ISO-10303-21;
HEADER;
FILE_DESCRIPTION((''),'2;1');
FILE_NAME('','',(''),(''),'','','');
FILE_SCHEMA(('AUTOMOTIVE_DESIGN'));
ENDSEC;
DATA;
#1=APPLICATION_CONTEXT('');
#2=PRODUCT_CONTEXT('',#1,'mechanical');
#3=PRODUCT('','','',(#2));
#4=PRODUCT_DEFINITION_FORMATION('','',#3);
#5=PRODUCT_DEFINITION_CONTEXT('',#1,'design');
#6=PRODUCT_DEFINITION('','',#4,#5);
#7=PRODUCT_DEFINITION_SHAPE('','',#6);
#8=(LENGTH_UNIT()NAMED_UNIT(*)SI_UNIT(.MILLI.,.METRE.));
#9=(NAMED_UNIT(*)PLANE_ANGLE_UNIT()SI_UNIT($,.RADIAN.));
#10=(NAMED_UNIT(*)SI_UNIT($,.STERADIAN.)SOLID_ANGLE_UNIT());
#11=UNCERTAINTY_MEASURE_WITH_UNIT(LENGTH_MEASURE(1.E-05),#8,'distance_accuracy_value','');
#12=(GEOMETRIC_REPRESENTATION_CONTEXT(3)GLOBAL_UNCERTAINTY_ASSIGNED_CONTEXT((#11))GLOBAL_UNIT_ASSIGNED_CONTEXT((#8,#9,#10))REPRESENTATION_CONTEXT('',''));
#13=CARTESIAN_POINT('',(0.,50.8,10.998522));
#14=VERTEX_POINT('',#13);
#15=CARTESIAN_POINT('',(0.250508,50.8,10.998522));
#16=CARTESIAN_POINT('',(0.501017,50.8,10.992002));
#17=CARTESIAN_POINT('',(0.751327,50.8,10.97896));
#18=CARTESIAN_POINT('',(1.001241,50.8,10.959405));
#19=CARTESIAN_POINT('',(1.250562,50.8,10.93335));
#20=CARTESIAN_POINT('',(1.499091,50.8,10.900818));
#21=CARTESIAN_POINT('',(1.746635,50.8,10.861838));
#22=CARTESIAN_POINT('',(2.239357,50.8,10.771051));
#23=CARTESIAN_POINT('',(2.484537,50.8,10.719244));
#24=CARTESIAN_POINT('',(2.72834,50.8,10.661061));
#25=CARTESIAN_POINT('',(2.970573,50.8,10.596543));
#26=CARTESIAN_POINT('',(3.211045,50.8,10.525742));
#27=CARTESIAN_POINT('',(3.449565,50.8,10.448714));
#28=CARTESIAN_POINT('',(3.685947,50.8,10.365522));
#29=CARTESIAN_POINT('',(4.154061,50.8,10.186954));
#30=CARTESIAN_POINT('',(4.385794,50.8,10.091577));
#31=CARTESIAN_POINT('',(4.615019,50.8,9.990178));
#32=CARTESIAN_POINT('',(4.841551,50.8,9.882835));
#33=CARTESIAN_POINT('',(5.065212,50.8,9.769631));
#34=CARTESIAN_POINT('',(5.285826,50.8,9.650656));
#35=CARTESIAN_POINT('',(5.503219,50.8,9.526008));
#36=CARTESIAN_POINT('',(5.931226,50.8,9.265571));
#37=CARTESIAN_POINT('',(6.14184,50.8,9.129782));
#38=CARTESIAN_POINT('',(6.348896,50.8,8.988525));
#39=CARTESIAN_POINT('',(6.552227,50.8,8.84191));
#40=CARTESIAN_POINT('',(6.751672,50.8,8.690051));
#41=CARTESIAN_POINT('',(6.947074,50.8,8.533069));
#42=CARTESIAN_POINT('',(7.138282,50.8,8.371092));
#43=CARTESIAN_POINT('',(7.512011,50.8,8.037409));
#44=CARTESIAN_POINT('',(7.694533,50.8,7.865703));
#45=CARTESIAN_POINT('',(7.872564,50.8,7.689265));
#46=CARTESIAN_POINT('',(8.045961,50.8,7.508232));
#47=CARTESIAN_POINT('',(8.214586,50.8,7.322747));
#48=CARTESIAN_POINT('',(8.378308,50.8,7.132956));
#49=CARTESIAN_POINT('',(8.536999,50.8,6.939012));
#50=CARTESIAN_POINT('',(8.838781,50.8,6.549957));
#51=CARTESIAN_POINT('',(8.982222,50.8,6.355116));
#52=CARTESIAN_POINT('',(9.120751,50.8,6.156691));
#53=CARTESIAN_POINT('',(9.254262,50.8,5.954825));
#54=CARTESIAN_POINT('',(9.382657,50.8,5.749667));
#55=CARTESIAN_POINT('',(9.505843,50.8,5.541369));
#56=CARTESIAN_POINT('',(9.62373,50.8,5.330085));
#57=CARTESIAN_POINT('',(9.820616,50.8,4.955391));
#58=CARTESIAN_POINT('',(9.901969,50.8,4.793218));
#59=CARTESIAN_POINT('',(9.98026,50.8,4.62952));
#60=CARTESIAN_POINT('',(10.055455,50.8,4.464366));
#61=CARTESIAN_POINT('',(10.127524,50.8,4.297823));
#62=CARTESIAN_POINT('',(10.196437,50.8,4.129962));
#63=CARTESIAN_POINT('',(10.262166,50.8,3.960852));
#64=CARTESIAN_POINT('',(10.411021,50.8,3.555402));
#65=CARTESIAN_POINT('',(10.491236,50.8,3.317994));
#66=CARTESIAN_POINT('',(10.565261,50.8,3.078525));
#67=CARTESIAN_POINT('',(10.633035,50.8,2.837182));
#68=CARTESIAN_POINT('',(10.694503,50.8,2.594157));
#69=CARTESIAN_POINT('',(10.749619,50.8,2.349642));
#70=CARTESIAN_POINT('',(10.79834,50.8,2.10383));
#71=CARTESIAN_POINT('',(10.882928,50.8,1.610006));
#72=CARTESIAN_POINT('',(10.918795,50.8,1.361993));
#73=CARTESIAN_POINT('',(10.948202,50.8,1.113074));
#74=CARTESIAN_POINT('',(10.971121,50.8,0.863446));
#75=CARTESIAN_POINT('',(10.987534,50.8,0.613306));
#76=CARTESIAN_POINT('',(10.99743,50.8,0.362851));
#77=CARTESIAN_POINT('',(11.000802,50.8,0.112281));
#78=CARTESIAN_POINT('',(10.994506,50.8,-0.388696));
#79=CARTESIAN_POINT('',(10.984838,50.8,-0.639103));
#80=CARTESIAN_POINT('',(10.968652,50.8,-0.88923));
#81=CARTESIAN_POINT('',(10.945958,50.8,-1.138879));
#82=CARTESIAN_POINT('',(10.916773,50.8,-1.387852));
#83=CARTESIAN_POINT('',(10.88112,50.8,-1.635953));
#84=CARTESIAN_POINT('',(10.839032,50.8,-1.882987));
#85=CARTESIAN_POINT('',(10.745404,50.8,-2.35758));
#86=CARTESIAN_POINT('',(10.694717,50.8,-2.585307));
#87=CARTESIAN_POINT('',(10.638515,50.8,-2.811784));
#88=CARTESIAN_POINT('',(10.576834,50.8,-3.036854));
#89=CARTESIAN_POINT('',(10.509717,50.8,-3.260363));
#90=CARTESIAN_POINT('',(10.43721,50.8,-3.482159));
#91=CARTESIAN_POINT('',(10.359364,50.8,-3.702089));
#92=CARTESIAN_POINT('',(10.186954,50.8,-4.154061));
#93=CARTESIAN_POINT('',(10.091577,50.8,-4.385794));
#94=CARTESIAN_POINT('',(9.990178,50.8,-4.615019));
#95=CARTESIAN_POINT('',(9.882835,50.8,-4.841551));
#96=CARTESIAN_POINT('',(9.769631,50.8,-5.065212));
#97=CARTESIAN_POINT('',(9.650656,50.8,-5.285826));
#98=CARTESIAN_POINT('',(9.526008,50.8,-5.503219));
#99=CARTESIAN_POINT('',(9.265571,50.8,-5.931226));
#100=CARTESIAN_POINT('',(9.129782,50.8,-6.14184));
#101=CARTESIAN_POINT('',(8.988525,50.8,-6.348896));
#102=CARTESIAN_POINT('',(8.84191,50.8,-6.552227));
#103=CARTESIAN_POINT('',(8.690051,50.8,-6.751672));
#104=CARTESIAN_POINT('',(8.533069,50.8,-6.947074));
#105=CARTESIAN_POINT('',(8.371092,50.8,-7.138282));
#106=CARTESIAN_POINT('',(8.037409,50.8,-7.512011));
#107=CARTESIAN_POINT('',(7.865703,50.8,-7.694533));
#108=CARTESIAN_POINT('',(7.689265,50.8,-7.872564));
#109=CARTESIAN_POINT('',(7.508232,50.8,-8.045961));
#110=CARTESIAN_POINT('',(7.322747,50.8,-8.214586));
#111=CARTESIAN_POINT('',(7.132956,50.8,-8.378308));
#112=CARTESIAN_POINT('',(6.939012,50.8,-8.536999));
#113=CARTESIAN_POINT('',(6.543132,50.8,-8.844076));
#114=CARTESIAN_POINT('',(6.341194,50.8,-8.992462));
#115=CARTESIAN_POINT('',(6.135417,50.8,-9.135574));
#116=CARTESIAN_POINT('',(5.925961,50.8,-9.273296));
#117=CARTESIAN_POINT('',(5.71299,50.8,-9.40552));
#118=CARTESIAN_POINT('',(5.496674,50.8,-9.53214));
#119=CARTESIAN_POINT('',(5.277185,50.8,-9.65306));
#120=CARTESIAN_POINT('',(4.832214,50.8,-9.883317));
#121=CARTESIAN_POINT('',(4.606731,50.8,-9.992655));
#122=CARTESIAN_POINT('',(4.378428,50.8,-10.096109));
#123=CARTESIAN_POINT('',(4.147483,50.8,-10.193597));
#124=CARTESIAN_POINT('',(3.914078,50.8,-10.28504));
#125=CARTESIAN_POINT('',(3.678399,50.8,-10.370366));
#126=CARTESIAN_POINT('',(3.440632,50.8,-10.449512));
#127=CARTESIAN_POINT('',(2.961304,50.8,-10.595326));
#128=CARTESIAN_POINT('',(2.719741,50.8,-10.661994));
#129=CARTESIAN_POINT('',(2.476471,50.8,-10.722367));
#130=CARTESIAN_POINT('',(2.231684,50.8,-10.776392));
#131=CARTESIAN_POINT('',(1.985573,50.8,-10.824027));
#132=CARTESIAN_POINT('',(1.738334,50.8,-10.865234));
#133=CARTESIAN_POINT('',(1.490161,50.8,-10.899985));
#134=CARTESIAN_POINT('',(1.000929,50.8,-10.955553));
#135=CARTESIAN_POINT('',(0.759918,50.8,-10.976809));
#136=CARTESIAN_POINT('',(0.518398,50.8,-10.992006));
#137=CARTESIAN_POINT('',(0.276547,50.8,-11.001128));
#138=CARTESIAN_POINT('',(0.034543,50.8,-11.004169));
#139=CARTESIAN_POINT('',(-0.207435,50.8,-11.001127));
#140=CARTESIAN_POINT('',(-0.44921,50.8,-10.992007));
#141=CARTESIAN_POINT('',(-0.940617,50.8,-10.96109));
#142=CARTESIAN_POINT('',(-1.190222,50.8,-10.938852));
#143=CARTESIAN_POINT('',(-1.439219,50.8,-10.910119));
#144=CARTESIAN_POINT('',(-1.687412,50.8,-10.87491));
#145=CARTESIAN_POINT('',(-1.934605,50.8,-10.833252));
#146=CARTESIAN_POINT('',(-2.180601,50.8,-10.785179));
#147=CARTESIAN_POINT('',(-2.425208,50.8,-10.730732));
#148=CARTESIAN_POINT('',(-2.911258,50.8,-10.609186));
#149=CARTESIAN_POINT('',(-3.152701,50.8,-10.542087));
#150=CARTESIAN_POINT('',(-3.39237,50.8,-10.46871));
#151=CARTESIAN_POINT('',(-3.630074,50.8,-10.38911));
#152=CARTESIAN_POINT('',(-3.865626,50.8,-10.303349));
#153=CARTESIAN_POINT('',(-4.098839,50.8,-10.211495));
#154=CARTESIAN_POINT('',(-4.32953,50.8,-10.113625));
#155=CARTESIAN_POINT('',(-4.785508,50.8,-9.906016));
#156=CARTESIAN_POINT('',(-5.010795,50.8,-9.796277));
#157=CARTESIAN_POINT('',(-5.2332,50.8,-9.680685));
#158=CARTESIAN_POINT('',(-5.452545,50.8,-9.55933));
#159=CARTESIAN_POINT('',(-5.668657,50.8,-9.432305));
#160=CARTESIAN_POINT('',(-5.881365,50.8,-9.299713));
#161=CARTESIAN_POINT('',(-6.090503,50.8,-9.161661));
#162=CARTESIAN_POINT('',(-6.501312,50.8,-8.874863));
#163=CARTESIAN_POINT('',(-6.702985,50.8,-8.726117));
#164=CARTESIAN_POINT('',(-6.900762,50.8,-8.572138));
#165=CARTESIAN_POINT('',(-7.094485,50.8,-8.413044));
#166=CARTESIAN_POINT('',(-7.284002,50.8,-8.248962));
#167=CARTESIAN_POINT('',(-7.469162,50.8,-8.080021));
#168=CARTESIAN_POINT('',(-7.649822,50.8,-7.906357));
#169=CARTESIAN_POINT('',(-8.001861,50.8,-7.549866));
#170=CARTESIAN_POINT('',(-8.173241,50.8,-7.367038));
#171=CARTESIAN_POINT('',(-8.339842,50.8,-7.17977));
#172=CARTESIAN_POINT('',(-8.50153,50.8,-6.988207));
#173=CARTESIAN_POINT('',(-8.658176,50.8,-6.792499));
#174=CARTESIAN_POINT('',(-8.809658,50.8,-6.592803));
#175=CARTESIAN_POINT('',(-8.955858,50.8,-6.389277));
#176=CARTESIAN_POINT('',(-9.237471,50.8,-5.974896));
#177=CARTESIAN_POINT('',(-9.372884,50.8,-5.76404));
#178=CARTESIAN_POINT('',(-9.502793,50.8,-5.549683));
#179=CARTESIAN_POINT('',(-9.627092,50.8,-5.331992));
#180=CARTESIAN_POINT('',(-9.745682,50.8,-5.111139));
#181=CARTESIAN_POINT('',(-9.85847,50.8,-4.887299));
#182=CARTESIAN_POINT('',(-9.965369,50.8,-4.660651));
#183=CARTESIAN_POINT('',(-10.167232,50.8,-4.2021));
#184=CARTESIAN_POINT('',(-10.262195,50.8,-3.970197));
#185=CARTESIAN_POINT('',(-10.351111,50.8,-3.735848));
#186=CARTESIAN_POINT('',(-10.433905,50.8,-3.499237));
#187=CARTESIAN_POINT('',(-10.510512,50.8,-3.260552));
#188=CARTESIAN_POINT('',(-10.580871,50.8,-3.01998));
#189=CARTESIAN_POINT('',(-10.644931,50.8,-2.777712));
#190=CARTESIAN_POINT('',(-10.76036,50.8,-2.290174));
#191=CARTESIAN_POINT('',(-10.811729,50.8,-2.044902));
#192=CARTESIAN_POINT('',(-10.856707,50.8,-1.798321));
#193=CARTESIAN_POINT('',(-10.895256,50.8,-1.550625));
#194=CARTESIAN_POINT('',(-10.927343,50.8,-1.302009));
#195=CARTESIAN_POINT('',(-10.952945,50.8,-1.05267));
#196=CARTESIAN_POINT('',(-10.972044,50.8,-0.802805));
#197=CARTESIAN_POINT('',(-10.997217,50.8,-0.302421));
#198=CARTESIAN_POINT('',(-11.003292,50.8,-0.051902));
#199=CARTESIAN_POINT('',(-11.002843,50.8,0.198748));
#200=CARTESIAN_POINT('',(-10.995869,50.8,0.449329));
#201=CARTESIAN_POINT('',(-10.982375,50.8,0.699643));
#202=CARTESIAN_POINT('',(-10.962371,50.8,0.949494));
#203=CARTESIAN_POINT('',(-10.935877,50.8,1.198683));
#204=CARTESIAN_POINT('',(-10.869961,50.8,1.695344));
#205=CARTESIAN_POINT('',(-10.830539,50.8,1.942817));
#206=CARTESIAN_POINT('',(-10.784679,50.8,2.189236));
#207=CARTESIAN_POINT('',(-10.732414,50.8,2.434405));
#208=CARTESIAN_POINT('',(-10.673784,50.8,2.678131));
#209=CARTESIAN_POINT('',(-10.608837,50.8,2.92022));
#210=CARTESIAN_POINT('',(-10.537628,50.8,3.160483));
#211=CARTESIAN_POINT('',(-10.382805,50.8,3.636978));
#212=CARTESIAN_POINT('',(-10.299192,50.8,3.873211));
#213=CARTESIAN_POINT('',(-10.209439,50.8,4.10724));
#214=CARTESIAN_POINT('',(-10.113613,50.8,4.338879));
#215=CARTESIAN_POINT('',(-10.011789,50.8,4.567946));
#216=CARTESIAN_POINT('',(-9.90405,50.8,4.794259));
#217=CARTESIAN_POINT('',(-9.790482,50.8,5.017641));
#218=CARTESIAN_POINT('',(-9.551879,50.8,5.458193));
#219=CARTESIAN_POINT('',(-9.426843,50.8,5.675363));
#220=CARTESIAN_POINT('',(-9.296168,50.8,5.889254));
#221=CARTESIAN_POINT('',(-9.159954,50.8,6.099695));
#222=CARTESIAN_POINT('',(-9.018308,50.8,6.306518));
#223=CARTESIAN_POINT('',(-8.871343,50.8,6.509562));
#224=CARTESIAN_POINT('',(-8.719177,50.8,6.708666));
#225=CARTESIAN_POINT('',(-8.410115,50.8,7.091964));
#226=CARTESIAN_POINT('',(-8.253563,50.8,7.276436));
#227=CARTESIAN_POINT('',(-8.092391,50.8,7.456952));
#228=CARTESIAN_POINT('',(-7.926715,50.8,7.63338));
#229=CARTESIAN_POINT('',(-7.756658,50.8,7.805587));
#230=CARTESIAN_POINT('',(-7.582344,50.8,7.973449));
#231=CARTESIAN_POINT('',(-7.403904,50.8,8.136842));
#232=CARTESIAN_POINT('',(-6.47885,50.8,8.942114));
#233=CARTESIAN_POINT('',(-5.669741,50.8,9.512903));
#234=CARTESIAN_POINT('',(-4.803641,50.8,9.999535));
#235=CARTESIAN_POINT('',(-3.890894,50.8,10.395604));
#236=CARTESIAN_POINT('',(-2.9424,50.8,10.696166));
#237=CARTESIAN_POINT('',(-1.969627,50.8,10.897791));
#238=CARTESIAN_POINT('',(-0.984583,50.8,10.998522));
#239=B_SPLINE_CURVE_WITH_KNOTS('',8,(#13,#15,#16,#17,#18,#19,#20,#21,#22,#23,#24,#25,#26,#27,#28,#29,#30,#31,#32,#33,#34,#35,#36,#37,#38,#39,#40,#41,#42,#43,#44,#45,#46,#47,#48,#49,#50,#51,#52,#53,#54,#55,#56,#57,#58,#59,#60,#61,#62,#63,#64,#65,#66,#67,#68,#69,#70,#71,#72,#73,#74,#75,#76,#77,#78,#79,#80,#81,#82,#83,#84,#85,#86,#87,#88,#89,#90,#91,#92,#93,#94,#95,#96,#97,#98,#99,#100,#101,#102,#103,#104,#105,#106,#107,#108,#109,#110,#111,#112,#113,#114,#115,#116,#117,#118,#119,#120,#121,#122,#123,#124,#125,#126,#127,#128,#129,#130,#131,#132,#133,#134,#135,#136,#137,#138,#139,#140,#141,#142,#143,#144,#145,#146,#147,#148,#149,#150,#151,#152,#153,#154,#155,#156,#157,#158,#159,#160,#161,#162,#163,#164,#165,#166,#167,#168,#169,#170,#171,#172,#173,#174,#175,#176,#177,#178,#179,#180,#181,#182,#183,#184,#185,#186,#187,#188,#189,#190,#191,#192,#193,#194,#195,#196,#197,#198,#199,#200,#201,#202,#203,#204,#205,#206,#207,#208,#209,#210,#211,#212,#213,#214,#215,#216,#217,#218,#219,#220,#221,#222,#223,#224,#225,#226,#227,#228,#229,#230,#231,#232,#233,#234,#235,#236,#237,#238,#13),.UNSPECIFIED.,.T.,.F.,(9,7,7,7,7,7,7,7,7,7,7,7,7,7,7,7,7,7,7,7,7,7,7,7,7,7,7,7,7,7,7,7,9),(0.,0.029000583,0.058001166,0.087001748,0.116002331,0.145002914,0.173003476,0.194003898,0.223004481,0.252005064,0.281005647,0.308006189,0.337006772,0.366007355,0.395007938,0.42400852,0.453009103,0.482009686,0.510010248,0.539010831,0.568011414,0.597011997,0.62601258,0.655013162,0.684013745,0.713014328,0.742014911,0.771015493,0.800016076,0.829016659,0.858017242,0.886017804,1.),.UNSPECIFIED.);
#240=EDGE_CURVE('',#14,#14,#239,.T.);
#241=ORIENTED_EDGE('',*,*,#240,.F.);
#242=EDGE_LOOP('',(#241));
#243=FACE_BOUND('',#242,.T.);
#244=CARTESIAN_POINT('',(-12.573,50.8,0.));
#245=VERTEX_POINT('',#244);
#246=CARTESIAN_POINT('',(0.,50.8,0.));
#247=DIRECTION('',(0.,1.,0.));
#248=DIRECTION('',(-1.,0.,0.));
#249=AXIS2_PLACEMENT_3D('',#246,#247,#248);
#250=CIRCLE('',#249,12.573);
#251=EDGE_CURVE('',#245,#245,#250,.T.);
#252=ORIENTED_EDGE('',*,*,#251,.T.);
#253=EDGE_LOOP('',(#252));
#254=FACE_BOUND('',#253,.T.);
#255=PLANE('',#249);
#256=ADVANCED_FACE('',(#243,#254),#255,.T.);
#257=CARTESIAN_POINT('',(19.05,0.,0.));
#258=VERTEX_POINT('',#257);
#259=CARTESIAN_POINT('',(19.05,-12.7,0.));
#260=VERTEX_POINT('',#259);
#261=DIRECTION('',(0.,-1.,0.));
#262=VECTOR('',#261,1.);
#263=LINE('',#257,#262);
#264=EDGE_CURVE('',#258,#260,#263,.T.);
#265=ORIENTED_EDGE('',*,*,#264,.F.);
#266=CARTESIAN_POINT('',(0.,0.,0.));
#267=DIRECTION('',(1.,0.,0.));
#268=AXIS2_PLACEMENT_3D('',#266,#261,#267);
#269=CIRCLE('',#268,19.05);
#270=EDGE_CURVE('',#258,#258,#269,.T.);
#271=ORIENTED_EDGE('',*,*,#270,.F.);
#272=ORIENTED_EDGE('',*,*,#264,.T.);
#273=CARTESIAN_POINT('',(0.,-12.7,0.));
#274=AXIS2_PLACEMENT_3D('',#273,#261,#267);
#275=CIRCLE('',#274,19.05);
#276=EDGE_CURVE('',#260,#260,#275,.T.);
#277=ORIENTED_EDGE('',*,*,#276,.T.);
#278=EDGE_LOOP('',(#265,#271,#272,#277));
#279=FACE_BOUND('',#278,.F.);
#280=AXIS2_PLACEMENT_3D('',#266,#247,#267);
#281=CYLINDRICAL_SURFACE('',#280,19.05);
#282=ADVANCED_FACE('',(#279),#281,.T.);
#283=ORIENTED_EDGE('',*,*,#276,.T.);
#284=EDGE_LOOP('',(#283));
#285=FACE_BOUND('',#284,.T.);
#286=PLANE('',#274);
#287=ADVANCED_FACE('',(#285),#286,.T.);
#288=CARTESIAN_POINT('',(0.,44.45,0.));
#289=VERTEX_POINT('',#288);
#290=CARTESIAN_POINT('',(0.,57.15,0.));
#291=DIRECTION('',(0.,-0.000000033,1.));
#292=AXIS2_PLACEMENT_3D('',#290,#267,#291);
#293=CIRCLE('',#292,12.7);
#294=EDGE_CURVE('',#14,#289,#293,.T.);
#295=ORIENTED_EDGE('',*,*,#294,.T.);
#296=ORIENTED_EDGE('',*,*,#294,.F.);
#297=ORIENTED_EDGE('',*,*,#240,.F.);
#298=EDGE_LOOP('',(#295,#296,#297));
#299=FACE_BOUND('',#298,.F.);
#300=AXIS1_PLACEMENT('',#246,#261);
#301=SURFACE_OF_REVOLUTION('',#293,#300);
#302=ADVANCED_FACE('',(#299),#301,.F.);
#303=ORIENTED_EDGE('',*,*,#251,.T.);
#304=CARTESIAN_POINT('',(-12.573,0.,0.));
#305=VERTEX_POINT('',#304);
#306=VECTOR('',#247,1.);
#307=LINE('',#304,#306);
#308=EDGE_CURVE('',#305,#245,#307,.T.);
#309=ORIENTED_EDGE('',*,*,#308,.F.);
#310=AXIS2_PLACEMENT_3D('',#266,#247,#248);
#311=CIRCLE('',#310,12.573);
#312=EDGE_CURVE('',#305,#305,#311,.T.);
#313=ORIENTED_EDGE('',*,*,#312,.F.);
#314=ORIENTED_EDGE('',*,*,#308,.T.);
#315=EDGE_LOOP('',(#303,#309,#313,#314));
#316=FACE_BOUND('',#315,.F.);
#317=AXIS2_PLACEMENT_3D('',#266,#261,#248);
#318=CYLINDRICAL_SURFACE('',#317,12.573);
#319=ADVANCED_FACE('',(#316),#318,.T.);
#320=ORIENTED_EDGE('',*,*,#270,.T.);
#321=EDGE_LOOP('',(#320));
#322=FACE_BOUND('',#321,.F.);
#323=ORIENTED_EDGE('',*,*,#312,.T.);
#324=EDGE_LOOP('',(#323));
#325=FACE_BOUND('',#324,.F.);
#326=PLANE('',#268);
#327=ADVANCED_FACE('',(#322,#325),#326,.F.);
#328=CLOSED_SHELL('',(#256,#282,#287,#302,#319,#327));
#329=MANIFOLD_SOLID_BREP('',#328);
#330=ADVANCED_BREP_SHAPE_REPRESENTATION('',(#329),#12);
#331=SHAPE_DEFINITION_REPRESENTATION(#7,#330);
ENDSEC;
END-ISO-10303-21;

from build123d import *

# Parameters (mm, degrees)
F0_R     = 19.05
F1_DEPTH = 12.7
F2_R     = 12.573
F3_DEPTH = 50.8


with BuildPart() as f1:
    # F0 (on Front) → F1 (new body)
    with BuildSketch(Plane.XZ):
        Circle(F0_R)
    extrude(amount=F1_DEPTH)

    # F2 (on face) → F3 (join)
    with BuildSketch(Plane(origin=(0, 0, 0), x_dir=(-1, 0, 0), z_dir=(0, 1, 0))):
        Circle(F2_R)
    extrude(amount=F3_DEPTH)

    # F4 (on Right) → F5 (revolve, cut)
    with BuildSketch(Plane.YZ):
        with BuildLine():
            Line((57.15, 0), (57.15, 12.7))
            ThreePointArc((57.15, 12.7), (48.169744, 8.980256), (44.45, 0))
            Line((44.45, 0), (57.15, 0))
        make_face()
    revolve(axis=Axis((0, 50.8, 0), (0, -1, 0)), mode=Mode.SUBTRACT)


solid = f1.part
